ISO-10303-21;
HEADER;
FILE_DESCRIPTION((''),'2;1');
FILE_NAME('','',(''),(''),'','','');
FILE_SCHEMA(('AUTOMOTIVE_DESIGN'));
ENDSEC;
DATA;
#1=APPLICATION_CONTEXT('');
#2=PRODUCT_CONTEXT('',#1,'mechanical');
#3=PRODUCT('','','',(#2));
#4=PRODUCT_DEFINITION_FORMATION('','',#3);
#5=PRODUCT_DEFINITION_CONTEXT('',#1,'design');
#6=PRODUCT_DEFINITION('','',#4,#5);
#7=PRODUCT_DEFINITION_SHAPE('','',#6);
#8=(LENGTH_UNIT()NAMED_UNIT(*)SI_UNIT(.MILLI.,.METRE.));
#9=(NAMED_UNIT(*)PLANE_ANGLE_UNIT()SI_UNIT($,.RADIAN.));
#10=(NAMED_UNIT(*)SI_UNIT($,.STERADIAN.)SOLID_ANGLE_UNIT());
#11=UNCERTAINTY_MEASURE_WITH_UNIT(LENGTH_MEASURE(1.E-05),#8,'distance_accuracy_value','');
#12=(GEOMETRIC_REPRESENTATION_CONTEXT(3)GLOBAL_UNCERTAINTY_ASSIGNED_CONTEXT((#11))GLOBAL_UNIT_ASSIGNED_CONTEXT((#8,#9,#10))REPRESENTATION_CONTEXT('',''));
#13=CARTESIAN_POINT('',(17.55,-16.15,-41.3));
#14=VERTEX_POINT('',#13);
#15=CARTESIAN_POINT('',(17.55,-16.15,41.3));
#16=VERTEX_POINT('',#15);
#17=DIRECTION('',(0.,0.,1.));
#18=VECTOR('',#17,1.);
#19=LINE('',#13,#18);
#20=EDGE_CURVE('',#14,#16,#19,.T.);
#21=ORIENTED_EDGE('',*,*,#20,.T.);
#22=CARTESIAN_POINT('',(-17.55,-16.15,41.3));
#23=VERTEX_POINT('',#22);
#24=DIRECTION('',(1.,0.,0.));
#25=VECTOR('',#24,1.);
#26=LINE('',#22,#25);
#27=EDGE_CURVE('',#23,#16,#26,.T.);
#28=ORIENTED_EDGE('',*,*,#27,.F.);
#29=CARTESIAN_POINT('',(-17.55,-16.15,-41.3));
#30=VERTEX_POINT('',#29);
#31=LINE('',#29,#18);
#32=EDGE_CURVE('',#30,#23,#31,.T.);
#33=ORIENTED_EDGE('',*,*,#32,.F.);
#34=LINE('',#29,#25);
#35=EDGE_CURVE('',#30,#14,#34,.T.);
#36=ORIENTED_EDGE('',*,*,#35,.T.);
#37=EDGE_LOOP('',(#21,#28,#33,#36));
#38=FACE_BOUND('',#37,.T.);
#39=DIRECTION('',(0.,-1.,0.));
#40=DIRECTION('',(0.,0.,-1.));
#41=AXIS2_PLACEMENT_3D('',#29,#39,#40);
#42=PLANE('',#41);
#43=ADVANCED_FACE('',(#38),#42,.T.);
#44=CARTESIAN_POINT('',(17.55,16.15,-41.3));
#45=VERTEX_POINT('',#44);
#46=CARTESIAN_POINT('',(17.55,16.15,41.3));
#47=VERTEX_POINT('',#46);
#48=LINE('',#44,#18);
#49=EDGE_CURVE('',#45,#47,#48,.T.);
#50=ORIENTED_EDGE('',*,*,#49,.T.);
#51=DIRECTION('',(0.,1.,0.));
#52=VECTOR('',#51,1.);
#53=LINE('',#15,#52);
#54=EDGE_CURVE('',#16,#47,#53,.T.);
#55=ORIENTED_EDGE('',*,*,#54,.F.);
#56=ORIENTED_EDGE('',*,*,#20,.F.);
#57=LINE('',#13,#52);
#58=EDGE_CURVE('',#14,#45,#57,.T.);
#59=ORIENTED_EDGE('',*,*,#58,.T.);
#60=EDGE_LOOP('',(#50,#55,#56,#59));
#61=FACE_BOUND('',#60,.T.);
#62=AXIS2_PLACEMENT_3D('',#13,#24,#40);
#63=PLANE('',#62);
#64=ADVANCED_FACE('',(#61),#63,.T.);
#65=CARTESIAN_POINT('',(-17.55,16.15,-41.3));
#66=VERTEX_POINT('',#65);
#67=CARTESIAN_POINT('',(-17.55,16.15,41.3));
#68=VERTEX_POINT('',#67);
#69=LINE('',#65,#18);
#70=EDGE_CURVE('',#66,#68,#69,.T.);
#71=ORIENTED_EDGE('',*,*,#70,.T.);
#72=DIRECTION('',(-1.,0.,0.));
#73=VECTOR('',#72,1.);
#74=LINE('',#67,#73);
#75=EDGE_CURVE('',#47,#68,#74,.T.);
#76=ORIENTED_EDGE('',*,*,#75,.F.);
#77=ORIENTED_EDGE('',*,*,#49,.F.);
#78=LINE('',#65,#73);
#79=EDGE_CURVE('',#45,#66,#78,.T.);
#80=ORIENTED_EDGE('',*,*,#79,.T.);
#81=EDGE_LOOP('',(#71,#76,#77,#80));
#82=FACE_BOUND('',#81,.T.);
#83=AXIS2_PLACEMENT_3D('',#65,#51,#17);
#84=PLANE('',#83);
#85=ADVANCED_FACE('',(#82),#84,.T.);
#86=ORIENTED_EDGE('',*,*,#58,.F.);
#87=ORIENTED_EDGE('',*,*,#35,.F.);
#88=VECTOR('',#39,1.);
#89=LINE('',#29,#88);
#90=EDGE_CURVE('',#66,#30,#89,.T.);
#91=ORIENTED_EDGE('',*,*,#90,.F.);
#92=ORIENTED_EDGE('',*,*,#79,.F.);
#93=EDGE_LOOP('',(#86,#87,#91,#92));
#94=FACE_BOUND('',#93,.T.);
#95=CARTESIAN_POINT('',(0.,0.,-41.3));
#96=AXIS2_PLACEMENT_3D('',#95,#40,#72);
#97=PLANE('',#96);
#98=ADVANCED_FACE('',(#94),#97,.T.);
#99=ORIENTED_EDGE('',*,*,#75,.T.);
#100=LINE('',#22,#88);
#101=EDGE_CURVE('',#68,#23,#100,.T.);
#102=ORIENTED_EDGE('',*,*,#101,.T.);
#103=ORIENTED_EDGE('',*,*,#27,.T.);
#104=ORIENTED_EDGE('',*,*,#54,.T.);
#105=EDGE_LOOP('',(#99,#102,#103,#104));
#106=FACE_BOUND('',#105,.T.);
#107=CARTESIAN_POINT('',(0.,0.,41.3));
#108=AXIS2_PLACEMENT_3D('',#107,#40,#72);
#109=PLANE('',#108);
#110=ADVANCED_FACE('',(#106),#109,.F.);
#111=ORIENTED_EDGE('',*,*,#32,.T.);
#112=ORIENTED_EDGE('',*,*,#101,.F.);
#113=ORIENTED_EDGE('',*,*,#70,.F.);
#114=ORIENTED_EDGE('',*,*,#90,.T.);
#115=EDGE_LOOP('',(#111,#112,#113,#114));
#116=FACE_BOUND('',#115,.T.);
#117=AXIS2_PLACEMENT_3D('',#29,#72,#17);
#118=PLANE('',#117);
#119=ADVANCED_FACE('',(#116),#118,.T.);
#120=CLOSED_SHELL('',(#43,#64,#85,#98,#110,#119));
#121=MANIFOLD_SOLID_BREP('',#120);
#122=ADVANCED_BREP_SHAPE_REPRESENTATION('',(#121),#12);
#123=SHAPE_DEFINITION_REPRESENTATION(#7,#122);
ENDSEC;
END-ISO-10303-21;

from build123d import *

# Parameters (mm, degrees)
ESTRUSIONE_ESTRUSIONE1_DEPTH      = 41.3
ESTRUSIONE_ESTRUSIONE1_DEPTH_BACK = 41.3
SCHIZZO1_W                        = 35.1
SCHIZZO1_H                        = 32.3


with BuildPart() as part:
    # Schizzo1 → Estrusione-Estrusione1 (new, two sides: drawn at the far end of the back side and taken through both)
    with BuildSketch(Plane.XY.offset(-ESTRUSIONE_ESTRUSIONE1_DEPTH_BACK)):
        Rectangle(SCHIZZO1_W, SCHIZZO1_H)
    extrude(amount=ESTRUSIONE_ESTRUSIONE1_DEPTH + ESTRUSIONE_ESTRUSIONE1_DEPTH_BACK)


solid = part.part
